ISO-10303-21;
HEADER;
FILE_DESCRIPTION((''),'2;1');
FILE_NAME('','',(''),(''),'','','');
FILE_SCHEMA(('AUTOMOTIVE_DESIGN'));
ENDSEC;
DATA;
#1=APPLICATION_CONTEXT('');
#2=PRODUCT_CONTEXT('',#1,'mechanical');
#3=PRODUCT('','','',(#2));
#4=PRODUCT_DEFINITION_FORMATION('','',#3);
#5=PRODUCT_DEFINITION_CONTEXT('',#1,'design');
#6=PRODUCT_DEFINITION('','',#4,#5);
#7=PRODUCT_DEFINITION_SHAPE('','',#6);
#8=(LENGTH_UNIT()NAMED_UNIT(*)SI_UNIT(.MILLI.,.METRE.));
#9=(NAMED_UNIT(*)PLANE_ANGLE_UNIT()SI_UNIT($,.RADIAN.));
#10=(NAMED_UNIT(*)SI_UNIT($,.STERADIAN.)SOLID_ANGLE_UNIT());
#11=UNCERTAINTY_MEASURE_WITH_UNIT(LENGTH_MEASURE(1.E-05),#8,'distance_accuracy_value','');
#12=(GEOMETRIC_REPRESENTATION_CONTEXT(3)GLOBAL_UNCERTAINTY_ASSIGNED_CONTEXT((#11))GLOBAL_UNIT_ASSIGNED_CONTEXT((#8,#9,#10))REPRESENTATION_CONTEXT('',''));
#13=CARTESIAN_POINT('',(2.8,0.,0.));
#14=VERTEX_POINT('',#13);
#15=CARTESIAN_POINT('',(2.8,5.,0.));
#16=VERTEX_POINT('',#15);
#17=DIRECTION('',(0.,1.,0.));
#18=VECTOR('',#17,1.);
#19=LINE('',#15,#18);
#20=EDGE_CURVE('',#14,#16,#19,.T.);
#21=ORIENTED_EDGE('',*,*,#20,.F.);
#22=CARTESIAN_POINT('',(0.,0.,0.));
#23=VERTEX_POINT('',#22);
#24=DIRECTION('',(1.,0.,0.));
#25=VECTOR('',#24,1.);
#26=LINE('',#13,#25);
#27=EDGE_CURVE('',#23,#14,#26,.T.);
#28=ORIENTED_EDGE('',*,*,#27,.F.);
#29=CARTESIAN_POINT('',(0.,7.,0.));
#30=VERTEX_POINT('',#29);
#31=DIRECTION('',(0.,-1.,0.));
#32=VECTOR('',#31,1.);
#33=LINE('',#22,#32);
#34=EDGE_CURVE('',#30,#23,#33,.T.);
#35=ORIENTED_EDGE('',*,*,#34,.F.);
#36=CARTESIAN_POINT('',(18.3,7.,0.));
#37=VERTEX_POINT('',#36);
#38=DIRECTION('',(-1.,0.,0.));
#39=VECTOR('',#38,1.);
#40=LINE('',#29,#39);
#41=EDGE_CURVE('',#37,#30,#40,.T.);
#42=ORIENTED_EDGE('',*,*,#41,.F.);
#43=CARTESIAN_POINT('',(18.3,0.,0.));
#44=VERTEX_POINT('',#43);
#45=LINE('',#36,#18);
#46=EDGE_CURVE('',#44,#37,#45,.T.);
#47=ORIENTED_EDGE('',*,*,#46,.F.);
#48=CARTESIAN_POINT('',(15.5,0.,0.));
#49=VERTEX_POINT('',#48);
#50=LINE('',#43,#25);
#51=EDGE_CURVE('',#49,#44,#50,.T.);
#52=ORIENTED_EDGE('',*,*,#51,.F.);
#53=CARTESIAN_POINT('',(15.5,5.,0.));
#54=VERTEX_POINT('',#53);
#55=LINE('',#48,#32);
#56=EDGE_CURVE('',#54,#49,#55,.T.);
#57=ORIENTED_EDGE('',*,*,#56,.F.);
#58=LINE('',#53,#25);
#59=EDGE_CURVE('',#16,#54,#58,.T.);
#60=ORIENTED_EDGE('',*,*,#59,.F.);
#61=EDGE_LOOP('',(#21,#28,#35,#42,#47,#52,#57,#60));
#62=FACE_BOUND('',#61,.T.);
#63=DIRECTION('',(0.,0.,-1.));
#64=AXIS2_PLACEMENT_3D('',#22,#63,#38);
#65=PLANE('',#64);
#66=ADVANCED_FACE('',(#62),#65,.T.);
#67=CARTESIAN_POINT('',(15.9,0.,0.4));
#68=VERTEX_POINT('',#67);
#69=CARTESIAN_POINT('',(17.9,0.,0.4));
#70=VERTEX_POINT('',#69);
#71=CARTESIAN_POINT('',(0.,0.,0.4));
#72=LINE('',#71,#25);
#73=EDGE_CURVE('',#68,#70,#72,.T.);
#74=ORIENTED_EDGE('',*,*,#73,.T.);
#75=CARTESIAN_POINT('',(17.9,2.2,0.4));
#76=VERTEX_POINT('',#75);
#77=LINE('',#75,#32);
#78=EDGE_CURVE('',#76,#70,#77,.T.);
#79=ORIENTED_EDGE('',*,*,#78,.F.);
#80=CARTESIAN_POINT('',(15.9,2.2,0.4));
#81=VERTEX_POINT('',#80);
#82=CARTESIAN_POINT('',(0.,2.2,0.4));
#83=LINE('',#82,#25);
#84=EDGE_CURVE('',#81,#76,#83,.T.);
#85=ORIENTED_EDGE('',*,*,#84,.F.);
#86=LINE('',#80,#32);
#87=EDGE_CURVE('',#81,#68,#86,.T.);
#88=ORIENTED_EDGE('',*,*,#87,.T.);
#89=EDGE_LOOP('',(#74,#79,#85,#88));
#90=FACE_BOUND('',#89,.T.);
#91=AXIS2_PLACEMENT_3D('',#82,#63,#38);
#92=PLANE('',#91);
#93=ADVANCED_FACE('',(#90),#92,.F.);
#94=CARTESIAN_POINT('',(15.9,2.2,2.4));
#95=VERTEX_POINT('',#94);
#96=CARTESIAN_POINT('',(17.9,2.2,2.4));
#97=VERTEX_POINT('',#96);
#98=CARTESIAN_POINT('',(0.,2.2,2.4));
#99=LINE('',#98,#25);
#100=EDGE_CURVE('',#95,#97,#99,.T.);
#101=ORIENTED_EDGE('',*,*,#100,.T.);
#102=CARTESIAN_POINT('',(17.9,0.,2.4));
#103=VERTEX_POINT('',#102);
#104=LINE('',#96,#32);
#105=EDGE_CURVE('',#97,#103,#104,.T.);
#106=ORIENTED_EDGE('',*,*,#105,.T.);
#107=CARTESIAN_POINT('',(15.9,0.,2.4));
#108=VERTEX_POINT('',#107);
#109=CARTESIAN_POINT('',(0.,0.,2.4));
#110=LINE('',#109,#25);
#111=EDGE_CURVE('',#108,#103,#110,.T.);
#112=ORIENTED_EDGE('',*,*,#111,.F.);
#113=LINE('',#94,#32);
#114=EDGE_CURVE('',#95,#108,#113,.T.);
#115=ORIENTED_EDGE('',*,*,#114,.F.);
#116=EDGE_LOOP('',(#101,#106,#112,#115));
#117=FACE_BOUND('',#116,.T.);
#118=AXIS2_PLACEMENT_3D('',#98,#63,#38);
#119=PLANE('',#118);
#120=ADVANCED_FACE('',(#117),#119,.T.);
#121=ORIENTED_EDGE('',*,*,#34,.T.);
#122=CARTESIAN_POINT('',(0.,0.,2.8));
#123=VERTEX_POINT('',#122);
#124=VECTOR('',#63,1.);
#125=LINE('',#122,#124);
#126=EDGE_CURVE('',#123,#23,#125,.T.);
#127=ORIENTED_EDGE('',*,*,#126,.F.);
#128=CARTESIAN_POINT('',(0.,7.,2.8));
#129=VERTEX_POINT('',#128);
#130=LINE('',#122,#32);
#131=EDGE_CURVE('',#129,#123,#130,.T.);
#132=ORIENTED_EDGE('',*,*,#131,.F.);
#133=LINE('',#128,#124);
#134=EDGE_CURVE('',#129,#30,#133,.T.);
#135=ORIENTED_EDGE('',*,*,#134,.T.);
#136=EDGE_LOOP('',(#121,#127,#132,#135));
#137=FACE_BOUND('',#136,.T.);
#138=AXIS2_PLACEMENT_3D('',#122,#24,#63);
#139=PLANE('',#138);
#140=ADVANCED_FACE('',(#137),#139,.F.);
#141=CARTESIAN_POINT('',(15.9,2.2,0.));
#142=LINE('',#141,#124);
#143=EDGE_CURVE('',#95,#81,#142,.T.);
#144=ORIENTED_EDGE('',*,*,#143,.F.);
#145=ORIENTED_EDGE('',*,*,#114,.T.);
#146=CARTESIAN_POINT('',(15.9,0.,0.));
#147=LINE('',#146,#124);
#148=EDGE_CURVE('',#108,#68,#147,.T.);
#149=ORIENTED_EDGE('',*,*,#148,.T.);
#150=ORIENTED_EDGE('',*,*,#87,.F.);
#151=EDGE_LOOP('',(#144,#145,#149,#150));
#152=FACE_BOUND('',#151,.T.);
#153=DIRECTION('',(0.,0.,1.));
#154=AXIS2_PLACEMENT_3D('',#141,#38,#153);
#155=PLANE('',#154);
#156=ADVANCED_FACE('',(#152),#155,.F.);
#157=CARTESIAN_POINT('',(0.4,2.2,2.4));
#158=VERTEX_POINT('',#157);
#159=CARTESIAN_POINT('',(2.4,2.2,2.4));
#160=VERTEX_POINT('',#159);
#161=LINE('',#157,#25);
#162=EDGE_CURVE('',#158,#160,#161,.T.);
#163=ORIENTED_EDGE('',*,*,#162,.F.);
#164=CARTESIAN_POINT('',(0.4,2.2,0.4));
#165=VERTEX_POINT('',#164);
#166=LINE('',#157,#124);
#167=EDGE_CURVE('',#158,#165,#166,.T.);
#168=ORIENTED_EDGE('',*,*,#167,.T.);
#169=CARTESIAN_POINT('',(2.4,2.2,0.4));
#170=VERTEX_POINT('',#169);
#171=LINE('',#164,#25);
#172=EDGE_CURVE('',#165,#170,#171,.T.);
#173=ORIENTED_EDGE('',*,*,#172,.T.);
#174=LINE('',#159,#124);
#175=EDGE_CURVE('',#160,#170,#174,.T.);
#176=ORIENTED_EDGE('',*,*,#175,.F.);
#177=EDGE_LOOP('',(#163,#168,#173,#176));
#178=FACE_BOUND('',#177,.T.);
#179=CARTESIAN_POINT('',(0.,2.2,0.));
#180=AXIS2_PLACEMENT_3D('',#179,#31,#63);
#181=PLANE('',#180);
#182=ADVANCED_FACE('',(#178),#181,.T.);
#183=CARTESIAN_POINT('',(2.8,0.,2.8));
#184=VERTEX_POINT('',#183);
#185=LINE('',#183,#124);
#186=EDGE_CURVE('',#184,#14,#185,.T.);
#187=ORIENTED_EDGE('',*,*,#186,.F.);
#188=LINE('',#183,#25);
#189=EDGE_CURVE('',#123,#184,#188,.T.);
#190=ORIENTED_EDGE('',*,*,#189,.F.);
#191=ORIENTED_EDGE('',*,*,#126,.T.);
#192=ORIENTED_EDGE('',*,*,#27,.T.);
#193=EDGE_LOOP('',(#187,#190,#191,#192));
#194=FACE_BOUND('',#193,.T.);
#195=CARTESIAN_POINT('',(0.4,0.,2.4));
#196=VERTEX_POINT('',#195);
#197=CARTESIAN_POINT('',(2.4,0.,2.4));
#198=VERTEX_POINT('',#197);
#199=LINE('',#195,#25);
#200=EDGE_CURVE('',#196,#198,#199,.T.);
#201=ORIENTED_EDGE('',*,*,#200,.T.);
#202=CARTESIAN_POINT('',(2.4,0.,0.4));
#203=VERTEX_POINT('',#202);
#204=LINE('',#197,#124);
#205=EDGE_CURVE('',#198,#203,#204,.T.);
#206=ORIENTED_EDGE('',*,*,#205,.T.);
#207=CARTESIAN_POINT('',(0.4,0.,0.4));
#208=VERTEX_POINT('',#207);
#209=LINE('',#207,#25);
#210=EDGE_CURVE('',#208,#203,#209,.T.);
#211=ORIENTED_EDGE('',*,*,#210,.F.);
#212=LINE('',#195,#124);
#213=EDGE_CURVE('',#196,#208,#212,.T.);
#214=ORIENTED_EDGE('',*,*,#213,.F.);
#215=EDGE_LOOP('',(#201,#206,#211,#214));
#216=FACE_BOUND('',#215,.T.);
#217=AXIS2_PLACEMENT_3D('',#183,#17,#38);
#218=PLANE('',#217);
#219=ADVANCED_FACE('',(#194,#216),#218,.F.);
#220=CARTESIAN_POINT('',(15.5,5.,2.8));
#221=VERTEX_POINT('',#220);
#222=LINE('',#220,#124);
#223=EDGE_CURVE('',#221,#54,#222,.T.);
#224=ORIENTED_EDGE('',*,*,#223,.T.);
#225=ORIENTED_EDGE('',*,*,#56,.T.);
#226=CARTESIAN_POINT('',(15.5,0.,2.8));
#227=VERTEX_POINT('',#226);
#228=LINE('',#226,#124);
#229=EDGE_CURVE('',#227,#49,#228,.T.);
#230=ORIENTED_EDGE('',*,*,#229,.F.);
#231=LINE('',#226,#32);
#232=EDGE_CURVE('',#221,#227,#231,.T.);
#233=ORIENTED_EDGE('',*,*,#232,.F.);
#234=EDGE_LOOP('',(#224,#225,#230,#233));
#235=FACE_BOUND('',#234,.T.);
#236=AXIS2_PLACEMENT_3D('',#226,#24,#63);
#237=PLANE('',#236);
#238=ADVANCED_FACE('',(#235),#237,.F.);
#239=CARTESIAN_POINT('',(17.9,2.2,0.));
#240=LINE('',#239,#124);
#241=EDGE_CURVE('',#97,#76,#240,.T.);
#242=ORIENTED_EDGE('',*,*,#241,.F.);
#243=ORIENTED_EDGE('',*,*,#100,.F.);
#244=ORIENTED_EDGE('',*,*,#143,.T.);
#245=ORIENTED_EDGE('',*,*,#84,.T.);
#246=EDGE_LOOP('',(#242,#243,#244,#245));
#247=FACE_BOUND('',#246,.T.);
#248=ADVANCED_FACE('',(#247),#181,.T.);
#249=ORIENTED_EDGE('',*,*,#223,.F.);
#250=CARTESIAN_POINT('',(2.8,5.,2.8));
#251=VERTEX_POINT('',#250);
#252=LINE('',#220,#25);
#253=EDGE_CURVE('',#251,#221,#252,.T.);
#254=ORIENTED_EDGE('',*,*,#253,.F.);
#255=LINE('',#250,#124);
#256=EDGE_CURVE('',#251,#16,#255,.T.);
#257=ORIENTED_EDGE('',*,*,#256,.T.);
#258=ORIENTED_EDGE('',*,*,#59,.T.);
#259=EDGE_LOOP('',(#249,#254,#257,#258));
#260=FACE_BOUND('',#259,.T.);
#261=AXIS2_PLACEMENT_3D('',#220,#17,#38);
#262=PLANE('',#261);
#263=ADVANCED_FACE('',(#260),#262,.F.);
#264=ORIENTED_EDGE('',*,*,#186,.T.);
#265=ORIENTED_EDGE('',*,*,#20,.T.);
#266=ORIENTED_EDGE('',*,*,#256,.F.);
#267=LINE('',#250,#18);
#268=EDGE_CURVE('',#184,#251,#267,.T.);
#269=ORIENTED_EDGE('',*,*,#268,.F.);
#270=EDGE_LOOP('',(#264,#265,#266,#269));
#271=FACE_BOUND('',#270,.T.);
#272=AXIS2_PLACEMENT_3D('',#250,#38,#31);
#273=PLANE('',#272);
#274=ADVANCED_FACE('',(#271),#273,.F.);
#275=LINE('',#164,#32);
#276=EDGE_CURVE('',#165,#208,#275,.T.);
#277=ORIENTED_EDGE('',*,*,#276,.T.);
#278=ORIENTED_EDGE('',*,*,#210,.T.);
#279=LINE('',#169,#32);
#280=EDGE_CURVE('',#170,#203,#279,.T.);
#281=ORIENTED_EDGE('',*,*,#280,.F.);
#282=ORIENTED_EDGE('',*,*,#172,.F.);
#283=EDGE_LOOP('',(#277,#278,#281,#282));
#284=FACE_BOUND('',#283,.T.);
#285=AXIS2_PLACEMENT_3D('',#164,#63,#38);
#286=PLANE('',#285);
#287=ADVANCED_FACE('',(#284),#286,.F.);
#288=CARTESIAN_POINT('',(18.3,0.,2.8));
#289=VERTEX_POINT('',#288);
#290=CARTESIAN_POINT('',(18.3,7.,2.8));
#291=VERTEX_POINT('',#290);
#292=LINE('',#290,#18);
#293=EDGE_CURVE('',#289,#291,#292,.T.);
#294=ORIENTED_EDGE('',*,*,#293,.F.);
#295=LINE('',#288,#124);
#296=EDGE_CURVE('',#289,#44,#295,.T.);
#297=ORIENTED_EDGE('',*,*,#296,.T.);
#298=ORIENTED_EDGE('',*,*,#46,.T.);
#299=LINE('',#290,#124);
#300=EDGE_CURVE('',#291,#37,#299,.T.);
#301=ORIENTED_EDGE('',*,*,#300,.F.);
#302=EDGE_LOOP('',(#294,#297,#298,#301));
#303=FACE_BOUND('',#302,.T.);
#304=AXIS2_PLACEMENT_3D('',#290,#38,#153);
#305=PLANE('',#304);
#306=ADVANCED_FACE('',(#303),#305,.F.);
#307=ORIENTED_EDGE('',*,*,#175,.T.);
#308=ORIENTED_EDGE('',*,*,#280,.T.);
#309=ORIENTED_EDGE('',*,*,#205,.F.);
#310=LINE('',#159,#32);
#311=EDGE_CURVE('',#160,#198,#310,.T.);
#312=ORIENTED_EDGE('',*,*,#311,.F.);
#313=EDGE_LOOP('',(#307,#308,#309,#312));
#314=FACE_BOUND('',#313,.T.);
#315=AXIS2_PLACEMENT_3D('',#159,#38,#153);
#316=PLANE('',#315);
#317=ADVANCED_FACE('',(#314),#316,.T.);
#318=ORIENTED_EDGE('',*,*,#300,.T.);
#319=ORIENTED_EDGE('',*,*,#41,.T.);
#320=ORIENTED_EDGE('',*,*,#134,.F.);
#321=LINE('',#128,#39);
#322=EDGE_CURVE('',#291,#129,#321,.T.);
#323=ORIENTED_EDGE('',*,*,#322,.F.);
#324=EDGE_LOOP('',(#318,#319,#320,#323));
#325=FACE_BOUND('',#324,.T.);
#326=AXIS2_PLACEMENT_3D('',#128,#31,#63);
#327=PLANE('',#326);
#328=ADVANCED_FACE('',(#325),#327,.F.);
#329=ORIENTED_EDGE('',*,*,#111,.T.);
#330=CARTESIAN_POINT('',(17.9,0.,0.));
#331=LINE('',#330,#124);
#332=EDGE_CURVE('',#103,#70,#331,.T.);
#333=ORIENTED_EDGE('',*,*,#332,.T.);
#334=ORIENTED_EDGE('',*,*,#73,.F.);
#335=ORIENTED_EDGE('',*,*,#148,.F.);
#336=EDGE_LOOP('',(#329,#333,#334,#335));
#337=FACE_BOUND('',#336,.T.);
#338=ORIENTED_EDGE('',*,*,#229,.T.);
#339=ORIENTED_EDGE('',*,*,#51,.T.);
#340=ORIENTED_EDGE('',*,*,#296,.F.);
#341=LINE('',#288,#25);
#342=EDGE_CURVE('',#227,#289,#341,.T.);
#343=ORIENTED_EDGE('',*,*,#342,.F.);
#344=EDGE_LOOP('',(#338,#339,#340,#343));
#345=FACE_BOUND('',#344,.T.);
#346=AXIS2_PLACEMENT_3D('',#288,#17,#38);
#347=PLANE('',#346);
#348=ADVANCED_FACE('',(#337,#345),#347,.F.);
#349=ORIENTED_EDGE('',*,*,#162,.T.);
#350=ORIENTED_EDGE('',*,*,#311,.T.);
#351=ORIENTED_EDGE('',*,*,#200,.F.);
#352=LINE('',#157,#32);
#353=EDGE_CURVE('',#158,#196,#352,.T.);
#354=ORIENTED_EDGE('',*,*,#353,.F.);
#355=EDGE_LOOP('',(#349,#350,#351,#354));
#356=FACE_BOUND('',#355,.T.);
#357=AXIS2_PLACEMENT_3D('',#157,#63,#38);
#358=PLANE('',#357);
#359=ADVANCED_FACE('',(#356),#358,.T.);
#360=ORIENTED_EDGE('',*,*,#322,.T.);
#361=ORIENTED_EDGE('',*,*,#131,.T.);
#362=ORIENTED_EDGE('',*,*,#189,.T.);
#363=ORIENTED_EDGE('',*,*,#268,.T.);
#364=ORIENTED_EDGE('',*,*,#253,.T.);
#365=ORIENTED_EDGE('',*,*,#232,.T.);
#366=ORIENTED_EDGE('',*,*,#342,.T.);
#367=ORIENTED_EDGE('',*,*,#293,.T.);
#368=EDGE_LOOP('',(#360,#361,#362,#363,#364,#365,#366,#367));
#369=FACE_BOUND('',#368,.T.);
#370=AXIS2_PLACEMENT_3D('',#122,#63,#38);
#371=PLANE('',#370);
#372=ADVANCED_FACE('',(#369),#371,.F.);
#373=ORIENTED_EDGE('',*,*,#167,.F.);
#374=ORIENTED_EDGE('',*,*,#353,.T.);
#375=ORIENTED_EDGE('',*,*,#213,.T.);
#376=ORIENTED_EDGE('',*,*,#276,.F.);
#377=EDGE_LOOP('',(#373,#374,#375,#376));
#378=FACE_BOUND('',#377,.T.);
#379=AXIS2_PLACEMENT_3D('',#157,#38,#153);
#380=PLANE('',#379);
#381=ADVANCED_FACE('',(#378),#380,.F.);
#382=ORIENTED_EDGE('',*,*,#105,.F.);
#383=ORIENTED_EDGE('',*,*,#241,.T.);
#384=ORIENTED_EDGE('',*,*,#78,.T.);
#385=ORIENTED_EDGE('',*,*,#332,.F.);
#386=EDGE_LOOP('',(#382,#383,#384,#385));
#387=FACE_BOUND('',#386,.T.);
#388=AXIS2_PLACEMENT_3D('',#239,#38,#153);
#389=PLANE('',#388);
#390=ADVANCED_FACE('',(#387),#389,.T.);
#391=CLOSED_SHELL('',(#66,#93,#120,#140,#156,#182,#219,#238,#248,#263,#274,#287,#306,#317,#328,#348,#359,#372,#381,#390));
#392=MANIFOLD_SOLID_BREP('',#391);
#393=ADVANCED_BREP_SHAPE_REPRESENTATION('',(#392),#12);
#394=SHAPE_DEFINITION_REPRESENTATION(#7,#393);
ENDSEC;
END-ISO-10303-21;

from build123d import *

# Parameters (mm, degrees)
BOSS_EXTRUDE1_DEPTH = 2.8
SKETCH2_W           = 2
SKETCH2_H           = 2
CUT_EXTRUDE1_DEPTH  = 2.2


with BuildPart() as part:
    # Sketch1 → Boss-Extrude1 (new body)
    with BuildSketch(Plane.XY):
        Polygon((0, 0), (0, 7), (18.3, 7), (18.3, 0), (15.5, 0), (15.5, 5), (2.8, 5), (2.8, 0), align=None)
    extrude(amount=BOSS_EXTRUDE1_DEPTH)

    # Sketch2 → Cut-Extrude1 (cut)
    with BuildSketch(Plane.XZ):
        with Locations((16.9, 1.4)):
            Rectangle(SKETCH2_W, SKETCH2_H)
        with Locations((1.4, 1.4)):
            Rectangle(SKETCH2_W, SKETCH2_H)
    extrude(amount=-CUT_EXTRUDE1_DEPTH, mode=Mode.SUBTRACT)


solid = part.part
